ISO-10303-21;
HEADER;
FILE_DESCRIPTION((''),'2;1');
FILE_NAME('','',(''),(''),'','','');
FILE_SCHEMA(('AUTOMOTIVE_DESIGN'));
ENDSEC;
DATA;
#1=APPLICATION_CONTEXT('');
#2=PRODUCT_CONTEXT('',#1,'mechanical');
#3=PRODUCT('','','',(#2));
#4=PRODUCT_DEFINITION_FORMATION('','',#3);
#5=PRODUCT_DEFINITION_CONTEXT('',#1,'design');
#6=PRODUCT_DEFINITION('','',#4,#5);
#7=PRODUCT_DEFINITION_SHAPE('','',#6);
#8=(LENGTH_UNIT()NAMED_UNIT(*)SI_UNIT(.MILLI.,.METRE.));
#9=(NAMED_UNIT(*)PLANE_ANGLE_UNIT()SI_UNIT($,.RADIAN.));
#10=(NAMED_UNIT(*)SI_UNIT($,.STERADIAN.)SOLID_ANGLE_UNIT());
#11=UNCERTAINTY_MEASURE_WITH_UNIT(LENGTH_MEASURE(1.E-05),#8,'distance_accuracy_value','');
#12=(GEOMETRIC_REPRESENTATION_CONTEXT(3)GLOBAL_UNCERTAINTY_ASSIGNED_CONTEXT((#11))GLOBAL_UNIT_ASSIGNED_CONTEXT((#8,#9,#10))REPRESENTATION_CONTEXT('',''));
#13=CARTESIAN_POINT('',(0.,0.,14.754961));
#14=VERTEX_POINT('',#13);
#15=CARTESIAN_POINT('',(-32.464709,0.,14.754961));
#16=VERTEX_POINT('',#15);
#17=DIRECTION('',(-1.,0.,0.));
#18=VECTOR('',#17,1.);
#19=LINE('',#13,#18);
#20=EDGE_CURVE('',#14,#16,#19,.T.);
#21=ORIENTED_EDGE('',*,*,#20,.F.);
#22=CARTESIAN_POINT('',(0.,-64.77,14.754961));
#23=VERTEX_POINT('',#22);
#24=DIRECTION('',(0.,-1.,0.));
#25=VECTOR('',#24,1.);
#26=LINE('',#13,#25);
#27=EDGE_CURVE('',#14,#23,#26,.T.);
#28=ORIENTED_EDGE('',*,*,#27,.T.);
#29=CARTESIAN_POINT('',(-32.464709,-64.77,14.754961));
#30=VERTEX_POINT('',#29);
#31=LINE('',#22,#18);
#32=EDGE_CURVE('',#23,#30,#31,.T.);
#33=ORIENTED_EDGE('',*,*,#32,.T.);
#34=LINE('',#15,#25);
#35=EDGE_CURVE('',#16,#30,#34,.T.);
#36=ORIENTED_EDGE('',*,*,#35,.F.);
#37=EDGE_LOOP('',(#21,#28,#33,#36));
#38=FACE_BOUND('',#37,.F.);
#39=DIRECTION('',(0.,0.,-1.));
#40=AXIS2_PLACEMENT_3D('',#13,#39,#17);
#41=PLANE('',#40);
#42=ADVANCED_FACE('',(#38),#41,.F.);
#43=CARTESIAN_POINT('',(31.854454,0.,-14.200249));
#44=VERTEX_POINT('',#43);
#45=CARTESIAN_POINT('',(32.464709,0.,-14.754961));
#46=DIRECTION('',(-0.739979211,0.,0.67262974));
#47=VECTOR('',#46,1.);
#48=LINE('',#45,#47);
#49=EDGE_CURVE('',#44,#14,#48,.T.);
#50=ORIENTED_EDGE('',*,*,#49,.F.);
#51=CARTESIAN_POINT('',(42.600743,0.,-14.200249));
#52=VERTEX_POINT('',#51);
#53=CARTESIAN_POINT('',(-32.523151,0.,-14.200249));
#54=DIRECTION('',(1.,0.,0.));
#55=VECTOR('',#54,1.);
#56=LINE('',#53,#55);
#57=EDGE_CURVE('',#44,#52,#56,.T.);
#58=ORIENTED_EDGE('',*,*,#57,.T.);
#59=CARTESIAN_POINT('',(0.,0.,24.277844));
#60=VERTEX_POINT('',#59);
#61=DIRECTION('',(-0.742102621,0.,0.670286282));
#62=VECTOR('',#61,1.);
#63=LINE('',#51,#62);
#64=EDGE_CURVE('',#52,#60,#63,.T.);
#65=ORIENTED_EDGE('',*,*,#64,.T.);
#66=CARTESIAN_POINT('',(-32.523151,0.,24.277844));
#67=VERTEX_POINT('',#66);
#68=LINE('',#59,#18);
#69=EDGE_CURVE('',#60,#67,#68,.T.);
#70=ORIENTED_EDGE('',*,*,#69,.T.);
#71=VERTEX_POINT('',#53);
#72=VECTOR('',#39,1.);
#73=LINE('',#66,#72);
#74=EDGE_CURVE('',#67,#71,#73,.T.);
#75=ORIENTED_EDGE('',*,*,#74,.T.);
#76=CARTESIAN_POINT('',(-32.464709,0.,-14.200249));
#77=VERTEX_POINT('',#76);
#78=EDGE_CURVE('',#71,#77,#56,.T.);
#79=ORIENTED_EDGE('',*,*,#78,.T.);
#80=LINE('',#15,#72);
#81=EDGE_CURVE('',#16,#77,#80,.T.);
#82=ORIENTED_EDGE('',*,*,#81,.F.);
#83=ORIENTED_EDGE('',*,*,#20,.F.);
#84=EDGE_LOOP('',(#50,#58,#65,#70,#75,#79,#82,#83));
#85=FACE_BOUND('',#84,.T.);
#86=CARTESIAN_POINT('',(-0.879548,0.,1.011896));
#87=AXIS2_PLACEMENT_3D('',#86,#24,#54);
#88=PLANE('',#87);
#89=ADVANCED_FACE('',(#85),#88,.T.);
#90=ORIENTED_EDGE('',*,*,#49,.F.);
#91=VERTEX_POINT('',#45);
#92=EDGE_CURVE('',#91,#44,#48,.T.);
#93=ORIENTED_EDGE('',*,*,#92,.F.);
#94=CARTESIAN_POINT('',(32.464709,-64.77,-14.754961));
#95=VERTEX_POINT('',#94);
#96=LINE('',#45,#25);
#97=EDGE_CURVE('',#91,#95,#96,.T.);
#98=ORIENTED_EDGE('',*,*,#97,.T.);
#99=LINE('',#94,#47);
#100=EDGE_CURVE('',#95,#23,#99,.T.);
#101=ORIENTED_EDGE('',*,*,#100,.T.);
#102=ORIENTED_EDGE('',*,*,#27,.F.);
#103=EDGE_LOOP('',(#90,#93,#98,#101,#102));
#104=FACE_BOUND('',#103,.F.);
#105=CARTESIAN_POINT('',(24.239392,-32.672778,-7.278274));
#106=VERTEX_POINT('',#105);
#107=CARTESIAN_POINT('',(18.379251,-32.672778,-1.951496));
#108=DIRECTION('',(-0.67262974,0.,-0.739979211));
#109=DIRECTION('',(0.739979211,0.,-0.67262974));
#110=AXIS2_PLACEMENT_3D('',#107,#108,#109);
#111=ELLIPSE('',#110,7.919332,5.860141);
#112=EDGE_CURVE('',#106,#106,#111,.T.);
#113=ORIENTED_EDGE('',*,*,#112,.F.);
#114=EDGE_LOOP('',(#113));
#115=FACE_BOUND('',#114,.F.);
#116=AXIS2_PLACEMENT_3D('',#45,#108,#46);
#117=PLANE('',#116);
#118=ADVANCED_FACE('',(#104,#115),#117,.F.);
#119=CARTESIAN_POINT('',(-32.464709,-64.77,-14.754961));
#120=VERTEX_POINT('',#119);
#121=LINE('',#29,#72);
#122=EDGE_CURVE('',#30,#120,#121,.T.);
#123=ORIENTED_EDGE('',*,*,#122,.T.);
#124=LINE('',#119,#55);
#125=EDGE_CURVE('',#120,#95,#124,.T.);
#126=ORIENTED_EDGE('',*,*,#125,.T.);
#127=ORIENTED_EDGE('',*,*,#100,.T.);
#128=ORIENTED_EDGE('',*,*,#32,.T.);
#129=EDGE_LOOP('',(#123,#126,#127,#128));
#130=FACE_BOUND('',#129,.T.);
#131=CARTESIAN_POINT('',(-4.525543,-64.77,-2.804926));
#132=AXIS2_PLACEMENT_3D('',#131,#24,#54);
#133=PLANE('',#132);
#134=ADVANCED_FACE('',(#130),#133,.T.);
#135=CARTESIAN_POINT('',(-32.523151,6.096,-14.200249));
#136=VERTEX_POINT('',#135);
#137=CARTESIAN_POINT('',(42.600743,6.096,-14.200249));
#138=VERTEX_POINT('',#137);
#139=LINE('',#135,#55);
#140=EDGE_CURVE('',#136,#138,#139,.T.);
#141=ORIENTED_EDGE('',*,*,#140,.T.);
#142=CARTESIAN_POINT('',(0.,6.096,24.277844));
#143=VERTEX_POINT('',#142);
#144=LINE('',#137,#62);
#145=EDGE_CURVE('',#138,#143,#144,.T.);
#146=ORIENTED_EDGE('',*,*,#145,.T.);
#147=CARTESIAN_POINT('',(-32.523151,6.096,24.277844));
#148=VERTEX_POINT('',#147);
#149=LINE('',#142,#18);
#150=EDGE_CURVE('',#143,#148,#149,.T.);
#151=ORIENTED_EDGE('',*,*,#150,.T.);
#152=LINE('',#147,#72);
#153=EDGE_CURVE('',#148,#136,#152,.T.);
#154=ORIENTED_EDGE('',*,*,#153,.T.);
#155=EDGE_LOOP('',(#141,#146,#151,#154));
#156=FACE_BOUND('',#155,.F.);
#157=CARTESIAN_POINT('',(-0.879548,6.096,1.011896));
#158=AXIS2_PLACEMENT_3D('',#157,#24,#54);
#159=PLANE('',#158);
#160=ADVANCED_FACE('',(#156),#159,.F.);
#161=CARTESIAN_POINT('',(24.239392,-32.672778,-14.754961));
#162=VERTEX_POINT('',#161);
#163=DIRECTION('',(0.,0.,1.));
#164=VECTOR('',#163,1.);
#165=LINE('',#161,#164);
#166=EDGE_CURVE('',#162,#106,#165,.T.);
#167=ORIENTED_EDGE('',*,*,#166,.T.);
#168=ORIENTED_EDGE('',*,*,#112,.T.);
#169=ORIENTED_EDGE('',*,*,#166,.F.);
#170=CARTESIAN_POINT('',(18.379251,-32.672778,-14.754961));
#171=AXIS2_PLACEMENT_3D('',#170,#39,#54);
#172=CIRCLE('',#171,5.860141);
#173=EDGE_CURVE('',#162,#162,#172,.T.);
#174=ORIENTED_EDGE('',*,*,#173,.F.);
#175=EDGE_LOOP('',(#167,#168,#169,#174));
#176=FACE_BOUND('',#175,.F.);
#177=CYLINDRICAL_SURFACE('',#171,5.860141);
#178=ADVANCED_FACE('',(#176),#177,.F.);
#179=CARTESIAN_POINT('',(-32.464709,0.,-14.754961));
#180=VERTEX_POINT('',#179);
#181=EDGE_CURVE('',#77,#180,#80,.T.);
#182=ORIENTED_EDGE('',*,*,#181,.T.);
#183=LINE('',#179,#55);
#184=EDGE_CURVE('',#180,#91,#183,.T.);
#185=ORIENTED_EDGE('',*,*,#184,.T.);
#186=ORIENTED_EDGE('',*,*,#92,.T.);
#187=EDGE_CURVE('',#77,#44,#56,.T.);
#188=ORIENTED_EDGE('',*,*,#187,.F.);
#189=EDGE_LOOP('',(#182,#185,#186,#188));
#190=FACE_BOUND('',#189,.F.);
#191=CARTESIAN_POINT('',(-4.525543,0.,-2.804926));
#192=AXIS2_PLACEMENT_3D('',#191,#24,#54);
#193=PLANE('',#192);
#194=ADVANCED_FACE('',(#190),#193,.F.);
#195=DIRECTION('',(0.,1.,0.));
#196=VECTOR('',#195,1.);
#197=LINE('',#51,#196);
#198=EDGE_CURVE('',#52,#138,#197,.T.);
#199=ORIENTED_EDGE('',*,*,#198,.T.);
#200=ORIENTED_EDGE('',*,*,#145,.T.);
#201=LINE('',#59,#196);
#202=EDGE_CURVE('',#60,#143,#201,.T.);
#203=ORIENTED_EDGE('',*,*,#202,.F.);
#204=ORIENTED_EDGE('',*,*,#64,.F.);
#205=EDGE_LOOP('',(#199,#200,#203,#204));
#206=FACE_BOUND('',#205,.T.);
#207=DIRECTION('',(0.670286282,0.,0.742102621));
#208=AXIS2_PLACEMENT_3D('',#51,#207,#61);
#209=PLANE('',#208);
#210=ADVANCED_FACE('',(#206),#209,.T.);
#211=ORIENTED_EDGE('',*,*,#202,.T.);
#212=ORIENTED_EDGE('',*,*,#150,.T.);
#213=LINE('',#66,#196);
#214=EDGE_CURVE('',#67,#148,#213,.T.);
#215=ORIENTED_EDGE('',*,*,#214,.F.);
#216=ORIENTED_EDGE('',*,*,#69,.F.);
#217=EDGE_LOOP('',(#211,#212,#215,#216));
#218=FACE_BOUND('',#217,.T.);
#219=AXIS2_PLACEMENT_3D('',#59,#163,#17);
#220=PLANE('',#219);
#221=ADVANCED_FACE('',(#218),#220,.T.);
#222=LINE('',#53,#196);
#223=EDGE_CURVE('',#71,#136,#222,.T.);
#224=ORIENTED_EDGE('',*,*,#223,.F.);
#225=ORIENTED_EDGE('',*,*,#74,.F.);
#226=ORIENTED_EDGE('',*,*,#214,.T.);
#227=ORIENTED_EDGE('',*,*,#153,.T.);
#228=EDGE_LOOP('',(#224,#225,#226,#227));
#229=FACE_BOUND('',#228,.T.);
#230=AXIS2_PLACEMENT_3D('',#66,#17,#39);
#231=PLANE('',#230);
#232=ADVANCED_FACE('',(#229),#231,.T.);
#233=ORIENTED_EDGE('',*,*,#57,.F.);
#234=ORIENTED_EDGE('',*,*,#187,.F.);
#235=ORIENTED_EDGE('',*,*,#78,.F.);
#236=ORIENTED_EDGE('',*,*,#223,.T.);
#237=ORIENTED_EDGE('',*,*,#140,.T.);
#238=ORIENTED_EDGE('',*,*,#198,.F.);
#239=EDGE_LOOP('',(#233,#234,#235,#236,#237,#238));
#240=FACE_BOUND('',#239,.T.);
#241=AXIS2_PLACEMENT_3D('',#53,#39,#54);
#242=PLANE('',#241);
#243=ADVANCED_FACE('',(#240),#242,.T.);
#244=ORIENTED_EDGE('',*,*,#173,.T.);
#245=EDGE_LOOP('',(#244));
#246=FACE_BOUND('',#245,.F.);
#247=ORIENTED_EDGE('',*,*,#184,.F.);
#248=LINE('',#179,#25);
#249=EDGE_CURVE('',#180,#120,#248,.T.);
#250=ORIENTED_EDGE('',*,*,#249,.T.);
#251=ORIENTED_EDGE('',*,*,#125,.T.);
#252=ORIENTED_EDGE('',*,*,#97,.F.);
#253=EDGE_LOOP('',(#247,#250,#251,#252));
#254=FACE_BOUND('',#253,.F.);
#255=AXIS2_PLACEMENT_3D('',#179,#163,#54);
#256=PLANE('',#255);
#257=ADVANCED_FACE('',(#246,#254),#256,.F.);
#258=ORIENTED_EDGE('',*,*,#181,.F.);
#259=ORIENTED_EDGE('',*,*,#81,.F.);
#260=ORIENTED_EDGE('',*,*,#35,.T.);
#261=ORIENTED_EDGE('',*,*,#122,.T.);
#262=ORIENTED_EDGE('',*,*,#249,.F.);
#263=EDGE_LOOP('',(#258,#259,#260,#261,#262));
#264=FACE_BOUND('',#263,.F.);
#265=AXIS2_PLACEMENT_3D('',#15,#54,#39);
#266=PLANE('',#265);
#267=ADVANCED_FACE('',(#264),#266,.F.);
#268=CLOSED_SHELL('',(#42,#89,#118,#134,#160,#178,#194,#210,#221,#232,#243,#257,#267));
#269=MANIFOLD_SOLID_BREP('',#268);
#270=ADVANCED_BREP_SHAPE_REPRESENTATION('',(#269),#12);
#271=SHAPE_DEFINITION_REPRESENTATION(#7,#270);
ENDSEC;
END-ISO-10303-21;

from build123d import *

# Parameters (mm, degrees)
F1_DEPTH = 64.77
F3_DEPTH = 6.096
F4_R     = 5.860141
F5_DEPTH = 79.248


with BuildPart() as f1:
    # F0 (on Front) → F1 (new body)
    with BuildSketch(Plane.XZ):
        Polygon((32.464709, -14.754961), (0, 14.754961), (-32.464709, 14.754961), (-32.464709, -14.754961), align=None)
    extrude(amount=F1_DEPTH)

    # F2 (on Front) → F3 (join)
    with BuildSketch(Plane.XZ):
        Polygon((-32.523151, -14.200249), (42.600743, -14.200249), (0, 24.277844), (-32.523151, 24.277844), align=None)
    extrude(amount=-F3_DEPTH)

    # F4 (on face) → F5 (cut)
    with BuildSketch(Plane(origin=(0, 0, -14.754961), x_dir=(1, 0, 0), z_dir=(0, 0, -1))):
        with Locations((18.379251, 32.672778)):
            Circle(F4_R)
    extrude(amount=-F5_DEPTH, mode=Mode.SUBTRACT)


solid = f1.part
